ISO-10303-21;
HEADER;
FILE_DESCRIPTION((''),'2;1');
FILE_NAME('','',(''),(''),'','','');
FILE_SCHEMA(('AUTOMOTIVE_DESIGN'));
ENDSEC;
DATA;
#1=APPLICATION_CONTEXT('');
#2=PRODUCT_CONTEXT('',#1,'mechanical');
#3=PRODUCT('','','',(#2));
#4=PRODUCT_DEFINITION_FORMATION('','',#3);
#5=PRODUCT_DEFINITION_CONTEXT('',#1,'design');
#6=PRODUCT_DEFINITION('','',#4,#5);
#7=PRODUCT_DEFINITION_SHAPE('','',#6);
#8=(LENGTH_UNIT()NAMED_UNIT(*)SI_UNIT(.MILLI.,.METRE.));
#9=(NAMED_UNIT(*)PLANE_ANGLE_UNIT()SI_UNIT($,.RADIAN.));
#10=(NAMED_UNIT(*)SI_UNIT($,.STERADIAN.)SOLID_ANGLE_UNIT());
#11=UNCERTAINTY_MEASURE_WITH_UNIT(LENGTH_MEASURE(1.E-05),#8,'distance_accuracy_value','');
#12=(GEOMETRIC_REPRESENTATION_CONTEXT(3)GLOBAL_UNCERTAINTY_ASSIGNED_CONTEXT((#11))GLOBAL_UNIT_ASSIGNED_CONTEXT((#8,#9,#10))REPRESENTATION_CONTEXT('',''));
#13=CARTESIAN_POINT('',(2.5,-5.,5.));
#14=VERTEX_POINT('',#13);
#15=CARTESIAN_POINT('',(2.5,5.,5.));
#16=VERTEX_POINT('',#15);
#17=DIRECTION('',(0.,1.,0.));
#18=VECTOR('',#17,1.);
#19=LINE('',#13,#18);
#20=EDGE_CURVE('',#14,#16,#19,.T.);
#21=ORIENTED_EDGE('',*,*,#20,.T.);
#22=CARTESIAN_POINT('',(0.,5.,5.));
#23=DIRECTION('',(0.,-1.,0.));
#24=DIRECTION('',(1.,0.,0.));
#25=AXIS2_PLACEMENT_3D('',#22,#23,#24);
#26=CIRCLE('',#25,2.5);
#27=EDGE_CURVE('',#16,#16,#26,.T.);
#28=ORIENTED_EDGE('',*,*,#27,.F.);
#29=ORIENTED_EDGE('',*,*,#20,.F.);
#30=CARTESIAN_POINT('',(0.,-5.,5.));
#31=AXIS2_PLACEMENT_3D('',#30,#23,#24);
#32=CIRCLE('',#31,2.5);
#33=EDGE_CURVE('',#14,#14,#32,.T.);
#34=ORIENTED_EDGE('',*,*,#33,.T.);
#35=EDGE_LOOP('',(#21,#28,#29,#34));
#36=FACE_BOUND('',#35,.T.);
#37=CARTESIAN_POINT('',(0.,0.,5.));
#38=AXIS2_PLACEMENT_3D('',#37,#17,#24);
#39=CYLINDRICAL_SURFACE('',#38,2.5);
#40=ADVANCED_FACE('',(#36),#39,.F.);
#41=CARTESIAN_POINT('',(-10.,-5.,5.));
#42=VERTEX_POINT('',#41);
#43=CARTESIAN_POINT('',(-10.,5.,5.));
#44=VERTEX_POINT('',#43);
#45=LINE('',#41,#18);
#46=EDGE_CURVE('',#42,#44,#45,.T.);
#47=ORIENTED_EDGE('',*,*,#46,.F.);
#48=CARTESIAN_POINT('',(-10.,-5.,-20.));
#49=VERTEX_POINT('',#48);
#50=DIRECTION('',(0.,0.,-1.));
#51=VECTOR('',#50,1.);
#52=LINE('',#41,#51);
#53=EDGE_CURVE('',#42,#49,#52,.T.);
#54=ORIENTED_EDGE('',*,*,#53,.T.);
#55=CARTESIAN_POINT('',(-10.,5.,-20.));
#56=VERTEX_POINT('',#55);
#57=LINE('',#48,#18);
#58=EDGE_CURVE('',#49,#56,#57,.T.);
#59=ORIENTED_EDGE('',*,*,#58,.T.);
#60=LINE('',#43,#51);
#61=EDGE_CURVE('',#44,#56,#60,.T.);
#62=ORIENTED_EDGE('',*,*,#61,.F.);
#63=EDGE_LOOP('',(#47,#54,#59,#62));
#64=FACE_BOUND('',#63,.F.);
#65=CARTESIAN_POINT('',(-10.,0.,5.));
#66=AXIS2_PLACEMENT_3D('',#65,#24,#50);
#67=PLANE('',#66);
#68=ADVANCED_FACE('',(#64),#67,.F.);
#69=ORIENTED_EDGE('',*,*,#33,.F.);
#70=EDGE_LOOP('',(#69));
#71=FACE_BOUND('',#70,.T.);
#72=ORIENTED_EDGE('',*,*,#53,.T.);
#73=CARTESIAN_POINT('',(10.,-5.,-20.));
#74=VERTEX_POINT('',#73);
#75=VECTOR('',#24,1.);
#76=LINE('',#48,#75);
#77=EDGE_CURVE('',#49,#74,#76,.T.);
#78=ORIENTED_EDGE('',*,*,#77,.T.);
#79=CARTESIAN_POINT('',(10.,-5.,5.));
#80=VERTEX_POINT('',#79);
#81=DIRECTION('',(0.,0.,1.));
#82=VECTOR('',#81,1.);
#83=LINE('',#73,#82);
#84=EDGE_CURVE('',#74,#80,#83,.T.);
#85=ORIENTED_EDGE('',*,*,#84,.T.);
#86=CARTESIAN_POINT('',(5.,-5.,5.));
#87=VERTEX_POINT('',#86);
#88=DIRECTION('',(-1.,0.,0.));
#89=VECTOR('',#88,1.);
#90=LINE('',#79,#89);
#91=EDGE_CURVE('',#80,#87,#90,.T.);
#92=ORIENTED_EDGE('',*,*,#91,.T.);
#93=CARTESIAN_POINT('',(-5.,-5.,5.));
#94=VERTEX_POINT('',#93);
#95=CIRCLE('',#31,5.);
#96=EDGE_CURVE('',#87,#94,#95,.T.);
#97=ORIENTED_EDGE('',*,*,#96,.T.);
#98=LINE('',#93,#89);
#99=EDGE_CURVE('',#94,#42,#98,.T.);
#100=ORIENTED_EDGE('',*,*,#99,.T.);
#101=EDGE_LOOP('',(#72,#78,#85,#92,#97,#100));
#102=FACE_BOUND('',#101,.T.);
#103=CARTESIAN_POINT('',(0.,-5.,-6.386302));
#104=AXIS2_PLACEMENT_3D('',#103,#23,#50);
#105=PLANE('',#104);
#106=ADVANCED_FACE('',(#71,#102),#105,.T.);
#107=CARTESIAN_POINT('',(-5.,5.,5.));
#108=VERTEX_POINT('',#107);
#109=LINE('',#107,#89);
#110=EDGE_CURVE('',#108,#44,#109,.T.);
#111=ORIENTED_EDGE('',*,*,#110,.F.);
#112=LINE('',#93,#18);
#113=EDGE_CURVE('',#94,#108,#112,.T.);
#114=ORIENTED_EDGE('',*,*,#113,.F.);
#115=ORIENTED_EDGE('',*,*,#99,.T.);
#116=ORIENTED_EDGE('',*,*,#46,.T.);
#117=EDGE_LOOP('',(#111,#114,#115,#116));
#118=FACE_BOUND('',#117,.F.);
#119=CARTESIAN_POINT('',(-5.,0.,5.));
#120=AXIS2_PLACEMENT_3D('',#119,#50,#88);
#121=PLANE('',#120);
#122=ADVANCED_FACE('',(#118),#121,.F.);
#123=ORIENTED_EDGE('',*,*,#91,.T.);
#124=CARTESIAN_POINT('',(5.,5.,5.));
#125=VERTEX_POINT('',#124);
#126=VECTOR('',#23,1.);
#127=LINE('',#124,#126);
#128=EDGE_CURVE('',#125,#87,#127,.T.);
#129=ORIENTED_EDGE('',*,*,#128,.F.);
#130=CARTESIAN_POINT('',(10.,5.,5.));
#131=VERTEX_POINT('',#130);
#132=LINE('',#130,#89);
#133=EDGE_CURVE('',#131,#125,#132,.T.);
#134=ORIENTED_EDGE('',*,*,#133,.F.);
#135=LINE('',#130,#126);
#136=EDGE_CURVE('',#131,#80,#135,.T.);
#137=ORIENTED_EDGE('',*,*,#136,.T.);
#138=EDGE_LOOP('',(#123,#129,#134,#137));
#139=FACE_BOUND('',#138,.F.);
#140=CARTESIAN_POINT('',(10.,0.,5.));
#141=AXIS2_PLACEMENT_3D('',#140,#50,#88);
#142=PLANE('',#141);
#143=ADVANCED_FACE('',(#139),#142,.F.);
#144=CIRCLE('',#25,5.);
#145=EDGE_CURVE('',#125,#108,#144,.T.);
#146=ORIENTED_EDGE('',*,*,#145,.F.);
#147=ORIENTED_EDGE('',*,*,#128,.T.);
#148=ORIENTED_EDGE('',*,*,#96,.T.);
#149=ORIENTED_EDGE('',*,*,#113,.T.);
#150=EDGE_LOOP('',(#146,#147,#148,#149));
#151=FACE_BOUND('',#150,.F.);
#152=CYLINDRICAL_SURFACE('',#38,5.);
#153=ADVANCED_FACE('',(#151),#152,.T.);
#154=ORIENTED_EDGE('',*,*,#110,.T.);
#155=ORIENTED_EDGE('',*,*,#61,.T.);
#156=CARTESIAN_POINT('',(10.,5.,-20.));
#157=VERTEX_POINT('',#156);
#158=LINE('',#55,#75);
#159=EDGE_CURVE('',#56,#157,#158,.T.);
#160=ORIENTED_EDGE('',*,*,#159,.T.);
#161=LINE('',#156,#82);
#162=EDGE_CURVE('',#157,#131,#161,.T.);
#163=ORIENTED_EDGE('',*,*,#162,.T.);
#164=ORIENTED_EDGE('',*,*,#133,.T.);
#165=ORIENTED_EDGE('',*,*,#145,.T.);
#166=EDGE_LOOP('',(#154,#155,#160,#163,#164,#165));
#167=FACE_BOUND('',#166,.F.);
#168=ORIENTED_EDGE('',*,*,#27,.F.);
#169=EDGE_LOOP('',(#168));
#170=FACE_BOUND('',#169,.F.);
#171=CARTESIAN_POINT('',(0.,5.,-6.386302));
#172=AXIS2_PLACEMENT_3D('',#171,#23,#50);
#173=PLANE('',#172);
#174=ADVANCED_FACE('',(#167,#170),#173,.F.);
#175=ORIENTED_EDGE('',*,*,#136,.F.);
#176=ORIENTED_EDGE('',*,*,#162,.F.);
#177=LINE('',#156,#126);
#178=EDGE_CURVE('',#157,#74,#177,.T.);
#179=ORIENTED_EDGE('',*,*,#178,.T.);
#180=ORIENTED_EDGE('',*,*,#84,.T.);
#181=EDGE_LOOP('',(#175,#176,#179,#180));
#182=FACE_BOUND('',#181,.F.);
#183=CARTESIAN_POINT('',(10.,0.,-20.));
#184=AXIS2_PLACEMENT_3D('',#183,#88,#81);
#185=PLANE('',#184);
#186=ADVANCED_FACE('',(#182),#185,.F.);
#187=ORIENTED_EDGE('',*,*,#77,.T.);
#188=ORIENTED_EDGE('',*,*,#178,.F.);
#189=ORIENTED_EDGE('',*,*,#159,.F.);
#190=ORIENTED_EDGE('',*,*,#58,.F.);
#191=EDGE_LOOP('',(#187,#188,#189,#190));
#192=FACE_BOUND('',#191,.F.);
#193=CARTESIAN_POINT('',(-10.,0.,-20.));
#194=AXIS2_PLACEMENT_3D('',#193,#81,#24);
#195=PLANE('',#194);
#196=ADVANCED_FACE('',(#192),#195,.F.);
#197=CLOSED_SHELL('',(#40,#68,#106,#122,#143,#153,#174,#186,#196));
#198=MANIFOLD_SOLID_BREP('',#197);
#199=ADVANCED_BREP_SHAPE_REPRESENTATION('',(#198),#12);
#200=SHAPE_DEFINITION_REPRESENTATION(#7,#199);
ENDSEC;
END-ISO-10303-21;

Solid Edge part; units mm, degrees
sketch "Sketch1" plane through (0, 0, 0) normal (0, -1, 0) x (1, 0, 0)
  circle A0 centre (0, 5) radius 2.5
  line L0 (-10, -20) -> (10, -20)
  line L1 (10, -20) -> (10, 5)
  line L2 (10, 5) -> (5, 5)
  line L3 (-5, 5) -> (-10, 5)
  line L4 (-10, 5) -> (-10, -20)
  arc A1 (5, 5) -> (-5, 5) centre (0, 5) ccw
  dimension "D1" = 20
  dimension "D2" = 5
  dimension "D3" = 5
  dimension "D4" = 20
extrude "Protrusion1" add sketch "Sketch1" along normal mid plane 10
